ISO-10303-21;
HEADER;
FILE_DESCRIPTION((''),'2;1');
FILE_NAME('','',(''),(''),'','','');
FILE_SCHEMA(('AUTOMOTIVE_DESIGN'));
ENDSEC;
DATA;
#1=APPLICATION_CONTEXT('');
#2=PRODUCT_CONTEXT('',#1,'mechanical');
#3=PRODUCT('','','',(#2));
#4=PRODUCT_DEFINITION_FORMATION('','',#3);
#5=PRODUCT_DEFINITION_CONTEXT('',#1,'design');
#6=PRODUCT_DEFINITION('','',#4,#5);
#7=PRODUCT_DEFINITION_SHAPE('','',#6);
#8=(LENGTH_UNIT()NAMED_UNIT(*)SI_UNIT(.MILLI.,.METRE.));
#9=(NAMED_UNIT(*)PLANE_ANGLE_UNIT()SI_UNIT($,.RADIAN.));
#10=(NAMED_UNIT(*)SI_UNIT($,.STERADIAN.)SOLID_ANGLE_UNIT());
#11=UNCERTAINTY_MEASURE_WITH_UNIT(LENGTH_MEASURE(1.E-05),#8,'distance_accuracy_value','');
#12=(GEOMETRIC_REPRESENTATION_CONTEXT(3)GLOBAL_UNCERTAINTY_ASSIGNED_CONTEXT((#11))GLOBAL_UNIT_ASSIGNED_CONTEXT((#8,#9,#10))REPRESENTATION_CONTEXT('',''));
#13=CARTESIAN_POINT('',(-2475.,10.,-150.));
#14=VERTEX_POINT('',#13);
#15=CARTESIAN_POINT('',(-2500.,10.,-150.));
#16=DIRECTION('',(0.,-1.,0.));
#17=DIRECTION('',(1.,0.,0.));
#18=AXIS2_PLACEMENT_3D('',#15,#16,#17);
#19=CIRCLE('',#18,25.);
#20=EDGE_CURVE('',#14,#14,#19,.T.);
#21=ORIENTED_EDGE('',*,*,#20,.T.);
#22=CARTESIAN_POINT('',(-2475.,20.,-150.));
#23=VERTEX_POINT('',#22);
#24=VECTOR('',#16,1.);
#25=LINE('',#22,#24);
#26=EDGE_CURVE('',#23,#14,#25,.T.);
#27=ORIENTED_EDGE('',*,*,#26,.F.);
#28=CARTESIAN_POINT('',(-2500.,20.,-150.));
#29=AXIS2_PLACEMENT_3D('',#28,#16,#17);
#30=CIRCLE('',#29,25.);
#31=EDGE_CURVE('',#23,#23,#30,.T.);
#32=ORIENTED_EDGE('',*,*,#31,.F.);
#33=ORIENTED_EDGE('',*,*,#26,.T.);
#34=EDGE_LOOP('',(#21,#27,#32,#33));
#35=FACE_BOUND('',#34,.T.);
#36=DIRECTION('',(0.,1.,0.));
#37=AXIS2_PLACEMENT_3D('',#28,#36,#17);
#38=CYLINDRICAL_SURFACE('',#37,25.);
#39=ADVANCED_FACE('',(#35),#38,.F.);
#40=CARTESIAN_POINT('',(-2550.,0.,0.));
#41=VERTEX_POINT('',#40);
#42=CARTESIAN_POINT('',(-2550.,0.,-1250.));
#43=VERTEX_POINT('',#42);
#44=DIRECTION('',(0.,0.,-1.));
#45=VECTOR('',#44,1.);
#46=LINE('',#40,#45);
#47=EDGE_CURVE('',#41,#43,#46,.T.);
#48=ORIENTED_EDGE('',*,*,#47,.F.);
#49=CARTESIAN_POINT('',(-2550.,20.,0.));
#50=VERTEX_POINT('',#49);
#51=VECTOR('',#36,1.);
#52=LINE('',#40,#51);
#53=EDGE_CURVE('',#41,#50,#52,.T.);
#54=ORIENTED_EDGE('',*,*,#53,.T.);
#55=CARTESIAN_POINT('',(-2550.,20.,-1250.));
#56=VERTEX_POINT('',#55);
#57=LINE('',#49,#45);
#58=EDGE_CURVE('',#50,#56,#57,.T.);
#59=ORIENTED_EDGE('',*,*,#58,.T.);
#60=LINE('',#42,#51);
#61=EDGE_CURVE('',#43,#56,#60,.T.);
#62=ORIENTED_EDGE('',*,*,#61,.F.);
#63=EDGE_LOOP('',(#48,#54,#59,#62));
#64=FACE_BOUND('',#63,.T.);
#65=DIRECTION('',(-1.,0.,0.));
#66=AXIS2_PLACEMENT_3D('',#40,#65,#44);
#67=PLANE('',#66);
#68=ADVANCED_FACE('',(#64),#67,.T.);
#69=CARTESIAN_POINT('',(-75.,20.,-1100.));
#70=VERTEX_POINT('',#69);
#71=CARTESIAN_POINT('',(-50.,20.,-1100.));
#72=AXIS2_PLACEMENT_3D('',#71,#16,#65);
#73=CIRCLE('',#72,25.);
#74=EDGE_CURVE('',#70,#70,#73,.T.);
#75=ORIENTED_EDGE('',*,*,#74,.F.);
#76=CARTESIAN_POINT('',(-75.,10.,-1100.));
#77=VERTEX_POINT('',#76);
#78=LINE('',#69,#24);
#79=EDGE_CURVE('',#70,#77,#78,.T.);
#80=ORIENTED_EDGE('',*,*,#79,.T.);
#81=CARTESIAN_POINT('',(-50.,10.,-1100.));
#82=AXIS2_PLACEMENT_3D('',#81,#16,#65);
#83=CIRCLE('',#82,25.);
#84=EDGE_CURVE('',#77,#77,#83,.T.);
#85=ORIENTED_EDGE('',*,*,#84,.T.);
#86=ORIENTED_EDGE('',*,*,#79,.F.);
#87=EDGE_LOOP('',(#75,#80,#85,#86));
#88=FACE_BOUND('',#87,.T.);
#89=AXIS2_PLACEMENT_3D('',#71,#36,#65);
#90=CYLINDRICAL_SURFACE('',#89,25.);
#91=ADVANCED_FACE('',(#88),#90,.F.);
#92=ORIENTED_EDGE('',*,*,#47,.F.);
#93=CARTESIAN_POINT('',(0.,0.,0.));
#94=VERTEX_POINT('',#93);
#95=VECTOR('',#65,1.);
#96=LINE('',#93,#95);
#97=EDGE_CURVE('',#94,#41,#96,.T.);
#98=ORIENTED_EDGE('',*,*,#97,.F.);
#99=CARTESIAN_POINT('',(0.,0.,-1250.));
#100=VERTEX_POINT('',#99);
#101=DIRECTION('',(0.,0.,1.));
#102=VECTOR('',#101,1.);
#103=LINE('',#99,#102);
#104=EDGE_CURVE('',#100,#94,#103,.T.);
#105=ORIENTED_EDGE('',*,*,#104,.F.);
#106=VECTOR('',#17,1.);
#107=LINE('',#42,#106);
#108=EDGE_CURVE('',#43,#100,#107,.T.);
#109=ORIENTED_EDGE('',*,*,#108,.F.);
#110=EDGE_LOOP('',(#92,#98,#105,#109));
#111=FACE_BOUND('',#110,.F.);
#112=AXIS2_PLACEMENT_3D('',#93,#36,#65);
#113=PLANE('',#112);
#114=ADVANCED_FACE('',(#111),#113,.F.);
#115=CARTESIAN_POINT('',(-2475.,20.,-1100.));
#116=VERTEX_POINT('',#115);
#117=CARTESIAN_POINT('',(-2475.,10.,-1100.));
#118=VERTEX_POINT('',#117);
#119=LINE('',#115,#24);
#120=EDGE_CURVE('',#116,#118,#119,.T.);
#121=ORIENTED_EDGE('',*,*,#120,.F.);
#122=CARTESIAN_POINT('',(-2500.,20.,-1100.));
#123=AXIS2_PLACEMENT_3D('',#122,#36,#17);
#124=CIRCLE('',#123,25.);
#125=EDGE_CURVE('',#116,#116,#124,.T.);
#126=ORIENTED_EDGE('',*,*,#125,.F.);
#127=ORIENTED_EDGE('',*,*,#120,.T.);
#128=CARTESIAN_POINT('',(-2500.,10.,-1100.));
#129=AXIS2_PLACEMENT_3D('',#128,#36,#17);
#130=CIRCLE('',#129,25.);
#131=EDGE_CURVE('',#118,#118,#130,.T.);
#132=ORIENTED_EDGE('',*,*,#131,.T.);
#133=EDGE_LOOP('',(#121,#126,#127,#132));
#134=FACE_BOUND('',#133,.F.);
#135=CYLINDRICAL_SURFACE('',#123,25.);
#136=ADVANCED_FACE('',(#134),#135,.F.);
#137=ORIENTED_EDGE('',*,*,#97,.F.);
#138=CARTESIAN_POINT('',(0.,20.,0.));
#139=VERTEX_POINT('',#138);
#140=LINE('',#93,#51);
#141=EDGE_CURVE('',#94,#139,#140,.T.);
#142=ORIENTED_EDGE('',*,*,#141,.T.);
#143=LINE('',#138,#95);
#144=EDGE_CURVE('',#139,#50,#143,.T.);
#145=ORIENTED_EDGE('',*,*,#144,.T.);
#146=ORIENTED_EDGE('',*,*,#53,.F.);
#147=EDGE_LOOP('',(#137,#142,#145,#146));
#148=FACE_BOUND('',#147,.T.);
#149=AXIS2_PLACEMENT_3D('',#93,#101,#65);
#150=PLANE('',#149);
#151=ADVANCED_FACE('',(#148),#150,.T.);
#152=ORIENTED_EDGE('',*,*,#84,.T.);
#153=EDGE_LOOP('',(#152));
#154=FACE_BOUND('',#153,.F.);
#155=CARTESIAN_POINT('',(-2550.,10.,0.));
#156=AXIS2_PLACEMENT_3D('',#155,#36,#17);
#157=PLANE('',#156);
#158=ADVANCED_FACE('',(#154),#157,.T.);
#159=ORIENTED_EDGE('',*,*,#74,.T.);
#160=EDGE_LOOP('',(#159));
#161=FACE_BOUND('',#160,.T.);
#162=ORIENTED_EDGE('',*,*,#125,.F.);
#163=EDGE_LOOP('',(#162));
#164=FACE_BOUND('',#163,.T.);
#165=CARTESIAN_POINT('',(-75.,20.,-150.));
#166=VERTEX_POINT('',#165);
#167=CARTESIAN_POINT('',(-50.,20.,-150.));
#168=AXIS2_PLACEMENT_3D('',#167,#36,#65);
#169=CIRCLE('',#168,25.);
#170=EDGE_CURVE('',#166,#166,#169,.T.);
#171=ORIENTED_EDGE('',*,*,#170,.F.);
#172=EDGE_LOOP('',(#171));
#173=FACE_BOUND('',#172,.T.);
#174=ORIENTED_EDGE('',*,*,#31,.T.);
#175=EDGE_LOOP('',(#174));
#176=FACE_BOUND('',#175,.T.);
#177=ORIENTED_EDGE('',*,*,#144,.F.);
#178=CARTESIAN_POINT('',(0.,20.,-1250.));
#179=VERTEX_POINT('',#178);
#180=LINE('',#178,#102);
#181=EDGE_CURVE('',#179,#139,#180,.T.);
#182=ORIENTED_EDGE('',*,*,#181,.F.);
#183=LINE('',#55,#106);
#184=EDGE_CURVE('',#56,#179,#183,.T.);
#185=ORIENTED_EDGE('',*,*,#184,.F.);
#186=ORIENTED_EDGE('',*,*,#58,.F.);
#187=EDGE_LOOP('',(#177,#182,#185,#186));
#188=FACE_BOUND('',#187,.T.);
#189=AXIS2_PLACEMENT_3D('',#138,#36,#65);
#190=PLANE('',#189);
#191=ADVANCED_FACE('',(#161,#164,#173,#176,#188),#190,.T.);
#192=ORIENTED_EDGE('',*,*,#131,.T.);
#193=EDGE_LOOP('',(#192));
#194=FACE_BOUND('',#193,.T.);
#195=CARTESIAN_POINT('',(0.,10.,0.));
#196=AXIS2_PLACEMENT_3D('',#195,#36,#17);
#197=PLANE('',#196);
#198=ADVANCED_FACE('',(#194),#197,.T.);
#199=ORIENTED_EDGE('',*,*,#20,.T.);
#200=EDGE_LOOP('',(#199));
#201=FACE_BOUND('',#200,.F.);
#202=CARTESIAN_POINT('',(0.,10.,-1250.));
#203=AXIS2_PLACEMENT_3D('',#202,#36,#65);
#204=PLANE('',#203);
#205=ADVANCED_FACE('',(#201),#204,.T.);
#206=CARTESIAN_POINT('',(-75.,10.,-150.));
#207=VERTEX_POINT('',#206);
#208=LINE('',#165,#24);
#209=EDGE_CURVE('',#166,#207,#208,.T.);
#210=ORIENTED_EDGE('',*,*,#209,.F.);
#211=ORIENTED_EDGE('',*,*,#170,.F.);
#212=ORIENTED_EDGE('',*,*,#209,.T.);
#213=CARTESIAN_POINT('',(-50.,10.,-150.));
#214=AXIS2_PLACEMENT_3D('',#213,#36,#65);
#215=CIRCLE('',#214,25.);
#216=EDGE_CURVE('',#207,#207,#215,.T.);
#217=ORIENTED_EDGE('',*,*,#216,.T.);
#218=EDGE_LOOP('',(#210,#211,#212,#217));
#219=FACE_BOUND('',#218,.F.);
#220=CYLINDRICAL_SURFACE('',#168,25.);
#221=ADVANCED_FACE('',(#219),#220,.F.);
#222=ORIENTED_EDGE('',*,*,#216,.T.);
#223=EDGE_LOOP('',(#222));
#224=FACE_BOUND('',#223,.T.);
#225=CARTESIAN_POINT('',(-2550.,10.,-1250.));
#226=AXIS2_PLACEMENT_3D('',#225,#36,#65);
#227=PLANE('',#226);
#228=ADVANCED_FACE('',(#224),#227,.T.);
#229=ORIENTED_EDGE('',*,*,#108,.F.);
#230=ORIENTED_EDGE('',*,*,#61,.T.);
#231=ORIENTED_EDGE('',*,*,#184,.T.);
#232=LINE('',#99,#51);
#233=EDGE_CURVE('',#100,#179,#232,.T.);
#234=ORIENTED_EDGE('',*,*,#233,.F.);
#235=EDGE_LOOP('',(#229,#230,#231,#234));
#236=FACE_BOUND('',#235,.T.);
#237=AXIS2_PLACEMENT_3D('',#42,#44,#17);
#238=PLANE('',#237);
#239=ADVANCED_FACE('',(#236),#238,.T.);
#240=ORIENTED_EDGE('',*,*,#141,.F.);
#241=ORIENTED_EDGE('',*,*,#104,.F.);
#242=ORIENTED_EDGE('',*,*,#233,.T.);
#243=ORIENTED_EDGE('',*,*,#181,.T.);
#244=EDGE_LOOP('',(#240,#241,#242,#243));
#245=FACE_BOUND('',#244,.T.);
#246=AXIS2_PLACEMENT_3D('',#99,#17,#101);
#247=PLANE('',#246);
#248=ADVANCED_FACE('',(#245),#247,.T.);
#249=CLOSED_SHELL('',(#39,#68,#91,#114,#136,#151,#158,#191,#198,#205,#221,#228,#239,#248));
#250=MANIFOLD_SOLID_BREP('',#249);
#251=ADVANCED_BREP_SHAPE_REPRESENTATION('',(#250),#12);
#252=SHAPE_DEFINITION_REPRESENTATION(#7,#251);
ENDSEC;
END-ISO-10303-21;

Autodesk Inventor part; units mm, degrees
ref_plane "YZ Plane" through (0, 0, 0) normal (1, 0, 0) x (0, 1, 0)
sketch "Sketch1" plane through (0, 0, 0) normal (0, 1, 0) x (-1, 0, 0)
  line L0 (0, 0) -> (2550, 0)
  line L1 (2550, 0) -> (2550, -1250)
  line L2 (2550, -1250) -> (0, -1250)
  line L3 (0, -1250) -> (0, 0)
  dimension "d0" = 1250
  dimension "d1" = 2550
extrude "Extrusion1" add sketch "Sketch1" along normal blind 20
sketch "Sketch2" plane through (0, 20, 0) normal (0, 1, 0) x (1, 0, 0)
  line L0 (-2550, 0) -> (0, 0) projected
  line L1 (0, 0) -> (0, 1250) projected
  line L2 (0, 1250) -> (-2550, 1250) projected
  line L3 (-2550, 1250) -> (-2550, 0) projected
  circle A0 centre (-2500, 1100) radius 25
  dimension "d4" = 50
  dimension "d5" = 1250
  dimension "d6" = 150
  dimension "d7" = 50
ref_plane "Work Plane1" through (-1275, 0, -1250) normal (-1, 0, 0) x (0, 0, 1)
ref_plane "Work Plane2" through (0, 0, -625) normal (0, 0, -1) x (-1, 0, 0)
extrude "Extrusion2" cut sketch "Sketch2" against normal blind 10 contours A0
mirror "Mirror1" about plane through (0, 0, -625) normal (0, 0, -1) of "Extrusion2"
mirror "Mirror2" about plane through (-1275, 0, -1250) normal (-1, 0, 0) of "Extrusion2", "Mirror1"
properties part number "Led Plater" material "Aluminum 6061"
